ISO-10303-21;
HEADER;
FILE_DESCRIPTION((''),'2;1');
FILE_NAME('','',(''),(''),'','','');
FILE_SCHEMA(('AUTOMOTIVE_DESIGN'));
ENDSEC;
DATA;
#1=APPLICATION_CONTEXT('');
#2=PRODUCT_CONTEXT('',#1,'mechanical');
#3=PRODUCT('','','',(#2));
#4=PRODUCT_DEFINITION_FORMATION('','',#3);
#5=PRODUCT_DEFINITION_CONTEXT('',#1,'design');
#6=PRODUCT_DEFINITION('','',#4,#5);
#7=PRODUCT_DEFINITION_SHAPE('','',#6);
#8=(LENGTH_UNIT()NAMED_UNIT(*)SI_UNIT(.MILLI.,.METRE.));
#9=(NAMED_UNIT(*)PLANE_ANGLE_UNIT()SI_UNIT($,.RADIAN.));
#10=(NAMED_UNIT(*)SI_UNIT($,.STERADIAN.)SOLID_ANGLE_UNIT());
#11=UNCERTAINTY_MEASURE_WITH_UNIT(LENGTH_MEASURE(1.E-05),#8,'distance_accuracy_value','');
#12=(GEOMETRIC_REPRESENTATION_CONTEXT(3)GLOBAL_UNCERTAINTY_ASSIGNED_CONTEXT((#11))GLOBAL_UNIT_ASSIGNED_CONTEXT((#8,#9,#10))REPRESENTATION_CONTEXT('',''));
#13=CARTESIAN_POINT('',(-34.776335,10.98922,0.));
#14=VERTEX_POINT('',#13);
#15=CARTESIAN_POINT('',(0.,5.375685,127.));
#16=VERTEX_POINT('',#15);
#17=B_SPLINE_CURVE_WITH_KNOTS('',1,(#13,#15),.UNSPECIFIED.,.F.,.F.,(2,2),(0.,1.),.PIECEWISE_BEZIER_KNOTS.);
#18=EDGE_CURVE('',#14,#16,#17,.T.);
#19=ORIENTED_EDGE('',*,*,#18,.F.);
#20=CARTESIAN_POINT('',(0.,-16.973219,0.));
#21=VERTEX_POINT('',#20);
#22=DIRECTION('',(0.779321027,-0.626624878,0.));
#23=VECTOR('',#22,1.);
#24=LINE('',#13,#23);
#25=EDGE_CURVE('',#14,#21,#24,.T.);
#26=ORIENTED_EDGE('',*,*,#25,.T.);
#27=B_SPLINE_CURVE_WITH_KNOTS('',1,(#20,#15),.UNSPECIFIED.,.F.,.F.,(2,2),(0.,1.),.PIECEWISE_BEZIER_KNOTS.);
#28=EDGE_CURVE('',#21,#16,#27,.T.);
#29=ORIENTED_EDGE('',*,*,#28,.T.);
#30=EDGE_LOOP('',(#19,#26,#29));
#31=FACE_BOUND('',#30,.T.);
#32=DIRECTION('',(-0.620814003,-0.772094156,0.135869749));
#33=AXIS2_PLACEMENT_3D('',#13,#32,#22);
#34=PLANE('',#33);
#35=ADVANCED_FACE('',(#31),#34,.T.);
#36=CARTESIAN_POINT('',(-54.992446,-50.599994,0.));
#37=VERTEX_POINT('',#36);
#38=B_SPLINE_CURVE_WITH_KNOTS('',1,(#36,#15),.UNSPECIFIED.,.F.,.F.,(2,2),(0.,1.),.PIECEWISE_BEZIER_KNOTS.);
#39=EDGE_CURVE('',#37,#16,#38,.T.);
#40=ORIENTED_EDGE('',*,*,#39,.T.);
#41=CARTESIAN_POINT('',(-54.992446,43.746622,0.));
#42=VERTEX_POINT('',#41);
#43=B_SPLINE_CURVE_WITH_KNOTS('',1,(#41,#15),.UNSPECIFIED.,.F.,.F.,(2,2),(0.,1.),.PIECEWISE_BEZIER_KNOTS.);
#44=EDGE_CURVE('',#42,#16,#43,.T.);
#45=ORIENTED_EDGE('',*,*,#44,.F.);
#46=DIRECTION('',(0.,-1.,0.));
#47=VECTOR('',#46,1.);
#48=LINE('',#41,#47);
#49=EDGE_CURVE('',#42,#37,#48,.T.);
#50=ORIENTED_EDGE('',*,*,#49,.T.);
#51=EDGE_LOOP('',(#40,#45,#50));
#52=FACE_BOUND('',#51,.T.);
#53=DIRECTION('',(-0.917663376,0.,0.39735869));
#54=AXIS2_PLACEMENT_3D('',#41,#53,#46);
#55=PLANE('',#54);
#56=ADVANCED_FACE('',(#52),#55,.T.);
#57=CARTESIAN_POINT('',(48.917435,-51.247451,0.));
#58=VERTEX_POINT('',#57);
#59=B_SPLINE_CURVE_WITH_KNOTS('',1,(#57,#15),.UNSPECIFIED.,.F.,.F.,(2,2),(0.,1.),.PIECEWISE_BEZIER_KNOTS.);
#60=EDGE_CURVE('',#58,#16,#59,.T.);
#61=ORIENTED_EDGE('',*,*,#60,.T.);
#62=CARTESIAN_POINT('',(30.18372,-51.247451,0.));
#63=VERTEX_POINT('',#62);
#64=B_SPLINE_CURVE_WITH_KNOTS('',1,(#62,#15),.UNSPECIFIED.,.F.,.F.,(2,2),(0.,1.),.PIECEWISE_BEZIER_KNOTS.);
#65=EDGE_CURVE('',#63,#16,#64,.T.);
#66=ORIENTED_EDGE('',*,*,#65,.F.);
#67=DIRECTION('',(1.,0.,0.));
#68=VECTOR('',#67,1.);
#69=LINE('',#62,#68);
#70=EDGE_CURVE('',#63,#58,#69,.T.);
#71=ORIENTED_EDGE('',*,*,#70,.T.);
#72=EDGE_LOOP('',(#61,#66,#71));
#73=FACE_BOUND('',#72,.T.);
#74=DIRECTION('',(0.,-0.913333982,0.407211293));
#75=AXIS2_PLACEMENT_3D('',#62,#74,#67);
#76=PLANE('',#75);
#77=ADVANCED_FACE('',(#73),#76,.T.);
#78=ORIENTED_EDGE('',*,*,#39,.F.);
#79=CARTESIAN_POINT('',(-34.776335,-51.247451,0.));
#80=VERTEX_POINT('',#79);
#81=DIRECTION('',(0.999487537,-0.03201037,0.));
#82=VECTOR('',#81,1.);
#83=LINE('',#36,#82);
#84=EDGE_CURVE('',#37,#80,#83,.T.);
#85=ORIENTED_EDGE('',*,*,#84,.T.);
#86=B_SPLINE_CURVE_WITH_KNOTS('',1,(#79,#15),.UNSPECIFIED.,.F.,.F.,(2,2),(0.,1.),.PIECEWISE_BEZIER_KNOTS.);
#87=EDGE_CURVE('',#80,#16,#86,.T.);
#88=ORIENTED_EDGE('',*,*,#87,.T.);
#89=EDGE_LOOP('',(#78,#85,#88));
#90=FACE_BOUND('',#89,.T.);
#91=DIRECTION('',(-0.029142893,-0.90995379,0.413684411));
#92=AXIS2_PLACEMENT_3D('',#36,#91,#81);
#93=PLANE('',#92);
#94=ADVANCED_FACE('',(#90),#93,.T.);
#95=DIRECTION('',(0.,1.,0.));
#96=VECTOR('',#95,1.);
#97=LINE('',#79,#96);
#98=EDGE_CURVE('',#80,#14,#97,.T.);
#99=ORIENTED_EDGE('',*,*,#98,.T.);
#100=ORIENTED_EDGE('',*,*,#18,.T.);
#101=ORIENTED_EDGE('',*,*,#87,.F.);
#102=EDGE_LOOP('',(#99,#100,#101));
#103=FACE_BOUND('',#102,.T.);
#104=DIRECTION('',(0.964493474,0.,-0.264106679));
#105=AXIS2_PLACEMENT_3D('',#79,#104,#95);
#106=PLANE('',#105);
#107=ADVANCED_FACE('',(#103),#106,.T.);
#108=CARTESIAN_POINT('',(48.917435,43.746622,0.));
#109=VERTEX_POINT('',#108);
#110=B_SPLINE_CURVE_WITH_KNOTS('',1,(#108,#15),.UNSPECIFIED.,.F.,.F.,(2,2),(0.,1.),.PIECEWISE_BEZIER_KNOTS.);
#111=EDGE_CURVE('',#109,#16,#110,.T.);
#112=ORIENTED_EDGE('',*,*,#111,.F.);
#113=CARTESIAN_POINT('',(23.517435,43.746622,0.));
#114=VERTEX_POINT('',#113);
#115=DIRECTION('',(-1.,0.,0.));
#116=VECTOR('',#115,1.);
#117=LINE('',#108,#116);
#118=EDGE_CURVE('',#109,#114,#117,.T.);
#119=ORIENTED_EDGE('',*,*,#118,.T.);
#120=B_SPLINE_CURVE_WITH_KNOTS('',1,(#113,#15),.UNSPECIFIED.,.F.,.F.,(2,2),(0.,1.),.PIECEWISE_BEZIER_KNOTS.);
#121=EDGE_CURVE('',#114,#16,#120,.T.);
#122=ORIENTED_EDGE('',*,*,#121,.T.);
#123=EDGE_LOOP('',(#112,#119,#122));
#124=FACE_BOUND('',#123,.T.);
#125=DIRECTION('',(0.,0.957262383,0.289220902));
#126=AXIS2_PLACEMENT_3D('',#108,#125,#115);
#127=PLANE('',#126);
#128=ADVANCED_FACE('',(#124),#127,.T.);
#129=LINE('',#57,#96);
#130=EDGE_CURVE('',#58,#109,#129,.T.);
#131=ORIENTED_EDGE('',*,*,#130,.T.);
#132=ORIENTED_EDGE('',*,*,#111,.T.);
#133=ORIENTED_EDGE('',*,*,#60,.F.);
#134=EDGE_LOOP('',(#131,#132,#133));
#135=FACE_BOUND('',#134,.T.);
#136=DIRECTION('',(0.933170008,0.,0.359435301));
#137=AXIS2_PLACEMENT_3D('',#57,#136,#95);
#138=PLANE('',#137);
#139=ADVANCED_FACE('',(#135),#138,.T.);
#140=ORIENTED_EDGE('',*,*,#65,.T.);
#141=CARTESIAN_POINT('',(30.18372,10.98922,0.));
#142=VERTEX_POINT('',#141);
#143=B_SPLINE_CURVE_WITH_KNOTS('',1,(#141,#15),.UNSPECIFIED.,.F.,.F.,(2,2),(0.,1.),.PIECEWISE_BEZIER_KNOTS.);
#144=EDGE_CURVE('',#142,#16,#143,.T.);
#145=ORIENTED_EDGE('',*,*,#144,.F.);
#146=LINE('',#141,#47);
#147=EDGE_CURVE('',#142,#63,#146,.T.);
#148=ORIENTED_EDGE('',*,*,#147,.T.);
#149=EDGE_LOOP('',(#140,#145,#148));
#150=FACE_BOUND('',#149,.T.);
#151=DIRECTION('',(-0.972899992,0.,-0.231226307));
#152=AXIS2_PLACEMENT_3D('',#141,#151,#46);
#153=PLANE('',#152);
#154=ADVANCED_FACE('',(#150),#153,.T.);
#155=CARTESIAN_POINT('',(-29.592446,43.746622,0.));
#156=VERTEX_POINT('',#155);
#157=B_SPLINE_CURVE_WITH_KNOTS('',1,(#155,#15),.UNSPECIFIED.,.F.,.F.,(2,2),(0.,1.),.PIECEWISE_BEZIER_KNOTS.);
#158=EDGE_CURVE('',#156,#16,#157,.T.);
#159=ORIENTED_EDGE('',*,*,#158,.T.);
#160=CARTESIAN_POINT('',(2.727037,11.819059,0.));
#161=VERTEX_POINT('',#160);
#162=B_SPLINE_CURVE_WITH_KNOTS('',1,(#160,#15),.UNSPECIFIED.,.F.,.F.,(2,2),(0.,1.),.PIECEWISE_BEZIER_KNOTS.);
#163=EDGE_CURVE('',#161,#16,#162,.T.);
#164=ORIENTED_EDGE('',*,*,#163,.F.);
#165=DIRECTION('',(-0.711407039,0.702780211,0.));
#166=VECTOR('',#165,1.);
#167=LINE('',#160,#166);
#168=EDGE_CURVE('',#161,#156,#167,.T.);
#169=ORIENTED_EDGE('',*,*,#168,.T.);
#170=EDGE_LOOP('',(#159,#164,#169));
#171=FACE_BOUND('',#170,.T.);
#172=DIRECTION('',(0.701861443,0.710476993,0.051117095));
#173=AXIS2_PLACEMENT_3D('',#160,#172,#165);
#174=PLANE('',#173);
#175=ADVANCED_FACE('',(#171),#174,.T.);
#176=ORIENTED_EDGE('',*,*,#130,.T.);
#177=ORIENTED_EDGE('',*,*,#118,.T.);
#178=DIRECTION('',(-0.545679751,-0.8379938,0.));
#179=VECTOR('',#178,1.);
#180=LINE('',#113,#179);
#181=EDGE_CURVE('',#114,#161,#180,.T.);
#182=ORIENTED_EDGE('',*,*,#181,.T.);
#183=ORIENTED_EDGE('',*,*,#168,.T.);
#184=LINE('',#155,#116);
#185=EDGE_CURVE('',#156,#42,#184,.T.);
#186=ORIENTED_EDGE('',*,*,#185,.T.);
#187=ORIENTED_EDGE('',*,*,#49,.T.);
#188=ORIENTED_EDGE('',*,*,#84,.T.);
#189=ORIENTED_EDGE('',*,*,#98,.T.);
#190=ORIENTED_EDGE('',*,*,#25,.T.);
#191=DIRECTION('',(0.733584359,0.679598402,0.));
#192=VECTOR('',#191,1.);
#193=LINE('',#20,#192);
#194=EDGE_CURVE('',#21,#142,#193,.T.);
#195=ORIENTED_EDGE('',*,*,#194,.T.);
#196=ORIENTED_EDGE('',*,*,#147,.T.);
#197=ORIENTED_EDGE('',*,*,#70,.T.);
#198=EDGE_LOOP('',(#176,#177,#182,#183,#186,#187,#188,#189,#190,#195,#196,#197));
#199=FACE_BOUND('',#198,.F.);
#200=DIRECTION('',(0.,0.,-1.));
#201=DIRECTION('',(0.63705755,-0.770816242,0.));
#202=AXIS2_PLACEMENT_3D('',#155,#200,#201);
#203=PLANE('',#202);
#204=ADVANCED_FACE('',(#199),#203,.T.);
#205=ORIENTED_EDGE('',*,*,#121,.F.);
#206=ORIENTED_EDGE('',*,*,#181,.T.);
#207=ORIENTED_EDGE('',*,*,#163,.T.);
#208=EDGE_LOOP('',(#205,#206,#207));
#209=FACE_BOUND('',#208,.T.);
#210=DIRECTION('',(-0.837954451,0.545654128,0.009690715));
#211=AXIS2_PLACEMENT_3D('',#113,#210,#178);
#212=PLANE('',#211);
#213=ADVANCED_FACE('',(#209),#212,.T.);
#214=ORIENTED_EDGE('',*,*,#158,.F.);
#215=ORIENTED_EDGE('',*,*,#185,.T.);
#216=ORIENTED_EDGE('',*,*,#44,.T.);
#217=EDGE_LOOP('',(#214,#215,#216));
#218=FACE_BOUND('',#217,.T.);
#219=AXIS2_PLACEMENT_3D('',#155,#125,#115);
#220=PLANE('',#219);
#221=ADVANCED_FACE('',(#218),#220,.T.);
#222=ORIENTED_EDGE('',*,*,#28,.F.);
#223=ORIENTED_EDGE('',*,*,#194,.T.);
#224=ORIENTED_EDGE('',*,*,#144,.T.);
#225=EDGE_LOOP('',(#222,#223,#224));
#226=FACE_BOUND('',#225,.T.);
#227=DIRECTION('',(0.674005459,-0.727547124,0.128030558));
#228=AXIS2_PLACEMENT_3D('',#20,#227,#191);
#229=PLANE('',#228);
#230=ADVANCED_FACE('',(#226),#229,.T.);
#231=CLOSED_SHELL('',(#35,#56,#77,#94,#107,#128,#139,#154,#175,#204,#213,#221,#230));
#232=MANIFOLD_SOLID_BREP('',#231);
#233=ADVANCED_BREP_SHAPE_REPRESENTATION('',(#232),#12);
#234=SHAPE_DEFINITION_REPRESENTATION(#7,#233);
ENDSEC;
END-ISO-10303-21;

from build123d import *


with BuildPart() as f3:
    # F0 (on Top) → F3 section 0
    with BuildSketch(Plane.XY, mode=Mode.PRIVATE) as f3_s0:
        Polygon((-29.592446, 43.746622), (-54.992446, 43.746622), (-54.992446, -50.599994), (-34.776335, -51.247451), (-34.776335, 10.98922), (0, -16.973219), (30.18372, 10.98922), (30.18372, -51.247451), (48.917435, -51.247451), (48.917435, 43.746622), (23.517435, 43.746622), (2.727037, 11.819059), align=None)
    loft([f3_s0.sketch, Vertex(0, 5.375685, 127)])


solid = f3.part
